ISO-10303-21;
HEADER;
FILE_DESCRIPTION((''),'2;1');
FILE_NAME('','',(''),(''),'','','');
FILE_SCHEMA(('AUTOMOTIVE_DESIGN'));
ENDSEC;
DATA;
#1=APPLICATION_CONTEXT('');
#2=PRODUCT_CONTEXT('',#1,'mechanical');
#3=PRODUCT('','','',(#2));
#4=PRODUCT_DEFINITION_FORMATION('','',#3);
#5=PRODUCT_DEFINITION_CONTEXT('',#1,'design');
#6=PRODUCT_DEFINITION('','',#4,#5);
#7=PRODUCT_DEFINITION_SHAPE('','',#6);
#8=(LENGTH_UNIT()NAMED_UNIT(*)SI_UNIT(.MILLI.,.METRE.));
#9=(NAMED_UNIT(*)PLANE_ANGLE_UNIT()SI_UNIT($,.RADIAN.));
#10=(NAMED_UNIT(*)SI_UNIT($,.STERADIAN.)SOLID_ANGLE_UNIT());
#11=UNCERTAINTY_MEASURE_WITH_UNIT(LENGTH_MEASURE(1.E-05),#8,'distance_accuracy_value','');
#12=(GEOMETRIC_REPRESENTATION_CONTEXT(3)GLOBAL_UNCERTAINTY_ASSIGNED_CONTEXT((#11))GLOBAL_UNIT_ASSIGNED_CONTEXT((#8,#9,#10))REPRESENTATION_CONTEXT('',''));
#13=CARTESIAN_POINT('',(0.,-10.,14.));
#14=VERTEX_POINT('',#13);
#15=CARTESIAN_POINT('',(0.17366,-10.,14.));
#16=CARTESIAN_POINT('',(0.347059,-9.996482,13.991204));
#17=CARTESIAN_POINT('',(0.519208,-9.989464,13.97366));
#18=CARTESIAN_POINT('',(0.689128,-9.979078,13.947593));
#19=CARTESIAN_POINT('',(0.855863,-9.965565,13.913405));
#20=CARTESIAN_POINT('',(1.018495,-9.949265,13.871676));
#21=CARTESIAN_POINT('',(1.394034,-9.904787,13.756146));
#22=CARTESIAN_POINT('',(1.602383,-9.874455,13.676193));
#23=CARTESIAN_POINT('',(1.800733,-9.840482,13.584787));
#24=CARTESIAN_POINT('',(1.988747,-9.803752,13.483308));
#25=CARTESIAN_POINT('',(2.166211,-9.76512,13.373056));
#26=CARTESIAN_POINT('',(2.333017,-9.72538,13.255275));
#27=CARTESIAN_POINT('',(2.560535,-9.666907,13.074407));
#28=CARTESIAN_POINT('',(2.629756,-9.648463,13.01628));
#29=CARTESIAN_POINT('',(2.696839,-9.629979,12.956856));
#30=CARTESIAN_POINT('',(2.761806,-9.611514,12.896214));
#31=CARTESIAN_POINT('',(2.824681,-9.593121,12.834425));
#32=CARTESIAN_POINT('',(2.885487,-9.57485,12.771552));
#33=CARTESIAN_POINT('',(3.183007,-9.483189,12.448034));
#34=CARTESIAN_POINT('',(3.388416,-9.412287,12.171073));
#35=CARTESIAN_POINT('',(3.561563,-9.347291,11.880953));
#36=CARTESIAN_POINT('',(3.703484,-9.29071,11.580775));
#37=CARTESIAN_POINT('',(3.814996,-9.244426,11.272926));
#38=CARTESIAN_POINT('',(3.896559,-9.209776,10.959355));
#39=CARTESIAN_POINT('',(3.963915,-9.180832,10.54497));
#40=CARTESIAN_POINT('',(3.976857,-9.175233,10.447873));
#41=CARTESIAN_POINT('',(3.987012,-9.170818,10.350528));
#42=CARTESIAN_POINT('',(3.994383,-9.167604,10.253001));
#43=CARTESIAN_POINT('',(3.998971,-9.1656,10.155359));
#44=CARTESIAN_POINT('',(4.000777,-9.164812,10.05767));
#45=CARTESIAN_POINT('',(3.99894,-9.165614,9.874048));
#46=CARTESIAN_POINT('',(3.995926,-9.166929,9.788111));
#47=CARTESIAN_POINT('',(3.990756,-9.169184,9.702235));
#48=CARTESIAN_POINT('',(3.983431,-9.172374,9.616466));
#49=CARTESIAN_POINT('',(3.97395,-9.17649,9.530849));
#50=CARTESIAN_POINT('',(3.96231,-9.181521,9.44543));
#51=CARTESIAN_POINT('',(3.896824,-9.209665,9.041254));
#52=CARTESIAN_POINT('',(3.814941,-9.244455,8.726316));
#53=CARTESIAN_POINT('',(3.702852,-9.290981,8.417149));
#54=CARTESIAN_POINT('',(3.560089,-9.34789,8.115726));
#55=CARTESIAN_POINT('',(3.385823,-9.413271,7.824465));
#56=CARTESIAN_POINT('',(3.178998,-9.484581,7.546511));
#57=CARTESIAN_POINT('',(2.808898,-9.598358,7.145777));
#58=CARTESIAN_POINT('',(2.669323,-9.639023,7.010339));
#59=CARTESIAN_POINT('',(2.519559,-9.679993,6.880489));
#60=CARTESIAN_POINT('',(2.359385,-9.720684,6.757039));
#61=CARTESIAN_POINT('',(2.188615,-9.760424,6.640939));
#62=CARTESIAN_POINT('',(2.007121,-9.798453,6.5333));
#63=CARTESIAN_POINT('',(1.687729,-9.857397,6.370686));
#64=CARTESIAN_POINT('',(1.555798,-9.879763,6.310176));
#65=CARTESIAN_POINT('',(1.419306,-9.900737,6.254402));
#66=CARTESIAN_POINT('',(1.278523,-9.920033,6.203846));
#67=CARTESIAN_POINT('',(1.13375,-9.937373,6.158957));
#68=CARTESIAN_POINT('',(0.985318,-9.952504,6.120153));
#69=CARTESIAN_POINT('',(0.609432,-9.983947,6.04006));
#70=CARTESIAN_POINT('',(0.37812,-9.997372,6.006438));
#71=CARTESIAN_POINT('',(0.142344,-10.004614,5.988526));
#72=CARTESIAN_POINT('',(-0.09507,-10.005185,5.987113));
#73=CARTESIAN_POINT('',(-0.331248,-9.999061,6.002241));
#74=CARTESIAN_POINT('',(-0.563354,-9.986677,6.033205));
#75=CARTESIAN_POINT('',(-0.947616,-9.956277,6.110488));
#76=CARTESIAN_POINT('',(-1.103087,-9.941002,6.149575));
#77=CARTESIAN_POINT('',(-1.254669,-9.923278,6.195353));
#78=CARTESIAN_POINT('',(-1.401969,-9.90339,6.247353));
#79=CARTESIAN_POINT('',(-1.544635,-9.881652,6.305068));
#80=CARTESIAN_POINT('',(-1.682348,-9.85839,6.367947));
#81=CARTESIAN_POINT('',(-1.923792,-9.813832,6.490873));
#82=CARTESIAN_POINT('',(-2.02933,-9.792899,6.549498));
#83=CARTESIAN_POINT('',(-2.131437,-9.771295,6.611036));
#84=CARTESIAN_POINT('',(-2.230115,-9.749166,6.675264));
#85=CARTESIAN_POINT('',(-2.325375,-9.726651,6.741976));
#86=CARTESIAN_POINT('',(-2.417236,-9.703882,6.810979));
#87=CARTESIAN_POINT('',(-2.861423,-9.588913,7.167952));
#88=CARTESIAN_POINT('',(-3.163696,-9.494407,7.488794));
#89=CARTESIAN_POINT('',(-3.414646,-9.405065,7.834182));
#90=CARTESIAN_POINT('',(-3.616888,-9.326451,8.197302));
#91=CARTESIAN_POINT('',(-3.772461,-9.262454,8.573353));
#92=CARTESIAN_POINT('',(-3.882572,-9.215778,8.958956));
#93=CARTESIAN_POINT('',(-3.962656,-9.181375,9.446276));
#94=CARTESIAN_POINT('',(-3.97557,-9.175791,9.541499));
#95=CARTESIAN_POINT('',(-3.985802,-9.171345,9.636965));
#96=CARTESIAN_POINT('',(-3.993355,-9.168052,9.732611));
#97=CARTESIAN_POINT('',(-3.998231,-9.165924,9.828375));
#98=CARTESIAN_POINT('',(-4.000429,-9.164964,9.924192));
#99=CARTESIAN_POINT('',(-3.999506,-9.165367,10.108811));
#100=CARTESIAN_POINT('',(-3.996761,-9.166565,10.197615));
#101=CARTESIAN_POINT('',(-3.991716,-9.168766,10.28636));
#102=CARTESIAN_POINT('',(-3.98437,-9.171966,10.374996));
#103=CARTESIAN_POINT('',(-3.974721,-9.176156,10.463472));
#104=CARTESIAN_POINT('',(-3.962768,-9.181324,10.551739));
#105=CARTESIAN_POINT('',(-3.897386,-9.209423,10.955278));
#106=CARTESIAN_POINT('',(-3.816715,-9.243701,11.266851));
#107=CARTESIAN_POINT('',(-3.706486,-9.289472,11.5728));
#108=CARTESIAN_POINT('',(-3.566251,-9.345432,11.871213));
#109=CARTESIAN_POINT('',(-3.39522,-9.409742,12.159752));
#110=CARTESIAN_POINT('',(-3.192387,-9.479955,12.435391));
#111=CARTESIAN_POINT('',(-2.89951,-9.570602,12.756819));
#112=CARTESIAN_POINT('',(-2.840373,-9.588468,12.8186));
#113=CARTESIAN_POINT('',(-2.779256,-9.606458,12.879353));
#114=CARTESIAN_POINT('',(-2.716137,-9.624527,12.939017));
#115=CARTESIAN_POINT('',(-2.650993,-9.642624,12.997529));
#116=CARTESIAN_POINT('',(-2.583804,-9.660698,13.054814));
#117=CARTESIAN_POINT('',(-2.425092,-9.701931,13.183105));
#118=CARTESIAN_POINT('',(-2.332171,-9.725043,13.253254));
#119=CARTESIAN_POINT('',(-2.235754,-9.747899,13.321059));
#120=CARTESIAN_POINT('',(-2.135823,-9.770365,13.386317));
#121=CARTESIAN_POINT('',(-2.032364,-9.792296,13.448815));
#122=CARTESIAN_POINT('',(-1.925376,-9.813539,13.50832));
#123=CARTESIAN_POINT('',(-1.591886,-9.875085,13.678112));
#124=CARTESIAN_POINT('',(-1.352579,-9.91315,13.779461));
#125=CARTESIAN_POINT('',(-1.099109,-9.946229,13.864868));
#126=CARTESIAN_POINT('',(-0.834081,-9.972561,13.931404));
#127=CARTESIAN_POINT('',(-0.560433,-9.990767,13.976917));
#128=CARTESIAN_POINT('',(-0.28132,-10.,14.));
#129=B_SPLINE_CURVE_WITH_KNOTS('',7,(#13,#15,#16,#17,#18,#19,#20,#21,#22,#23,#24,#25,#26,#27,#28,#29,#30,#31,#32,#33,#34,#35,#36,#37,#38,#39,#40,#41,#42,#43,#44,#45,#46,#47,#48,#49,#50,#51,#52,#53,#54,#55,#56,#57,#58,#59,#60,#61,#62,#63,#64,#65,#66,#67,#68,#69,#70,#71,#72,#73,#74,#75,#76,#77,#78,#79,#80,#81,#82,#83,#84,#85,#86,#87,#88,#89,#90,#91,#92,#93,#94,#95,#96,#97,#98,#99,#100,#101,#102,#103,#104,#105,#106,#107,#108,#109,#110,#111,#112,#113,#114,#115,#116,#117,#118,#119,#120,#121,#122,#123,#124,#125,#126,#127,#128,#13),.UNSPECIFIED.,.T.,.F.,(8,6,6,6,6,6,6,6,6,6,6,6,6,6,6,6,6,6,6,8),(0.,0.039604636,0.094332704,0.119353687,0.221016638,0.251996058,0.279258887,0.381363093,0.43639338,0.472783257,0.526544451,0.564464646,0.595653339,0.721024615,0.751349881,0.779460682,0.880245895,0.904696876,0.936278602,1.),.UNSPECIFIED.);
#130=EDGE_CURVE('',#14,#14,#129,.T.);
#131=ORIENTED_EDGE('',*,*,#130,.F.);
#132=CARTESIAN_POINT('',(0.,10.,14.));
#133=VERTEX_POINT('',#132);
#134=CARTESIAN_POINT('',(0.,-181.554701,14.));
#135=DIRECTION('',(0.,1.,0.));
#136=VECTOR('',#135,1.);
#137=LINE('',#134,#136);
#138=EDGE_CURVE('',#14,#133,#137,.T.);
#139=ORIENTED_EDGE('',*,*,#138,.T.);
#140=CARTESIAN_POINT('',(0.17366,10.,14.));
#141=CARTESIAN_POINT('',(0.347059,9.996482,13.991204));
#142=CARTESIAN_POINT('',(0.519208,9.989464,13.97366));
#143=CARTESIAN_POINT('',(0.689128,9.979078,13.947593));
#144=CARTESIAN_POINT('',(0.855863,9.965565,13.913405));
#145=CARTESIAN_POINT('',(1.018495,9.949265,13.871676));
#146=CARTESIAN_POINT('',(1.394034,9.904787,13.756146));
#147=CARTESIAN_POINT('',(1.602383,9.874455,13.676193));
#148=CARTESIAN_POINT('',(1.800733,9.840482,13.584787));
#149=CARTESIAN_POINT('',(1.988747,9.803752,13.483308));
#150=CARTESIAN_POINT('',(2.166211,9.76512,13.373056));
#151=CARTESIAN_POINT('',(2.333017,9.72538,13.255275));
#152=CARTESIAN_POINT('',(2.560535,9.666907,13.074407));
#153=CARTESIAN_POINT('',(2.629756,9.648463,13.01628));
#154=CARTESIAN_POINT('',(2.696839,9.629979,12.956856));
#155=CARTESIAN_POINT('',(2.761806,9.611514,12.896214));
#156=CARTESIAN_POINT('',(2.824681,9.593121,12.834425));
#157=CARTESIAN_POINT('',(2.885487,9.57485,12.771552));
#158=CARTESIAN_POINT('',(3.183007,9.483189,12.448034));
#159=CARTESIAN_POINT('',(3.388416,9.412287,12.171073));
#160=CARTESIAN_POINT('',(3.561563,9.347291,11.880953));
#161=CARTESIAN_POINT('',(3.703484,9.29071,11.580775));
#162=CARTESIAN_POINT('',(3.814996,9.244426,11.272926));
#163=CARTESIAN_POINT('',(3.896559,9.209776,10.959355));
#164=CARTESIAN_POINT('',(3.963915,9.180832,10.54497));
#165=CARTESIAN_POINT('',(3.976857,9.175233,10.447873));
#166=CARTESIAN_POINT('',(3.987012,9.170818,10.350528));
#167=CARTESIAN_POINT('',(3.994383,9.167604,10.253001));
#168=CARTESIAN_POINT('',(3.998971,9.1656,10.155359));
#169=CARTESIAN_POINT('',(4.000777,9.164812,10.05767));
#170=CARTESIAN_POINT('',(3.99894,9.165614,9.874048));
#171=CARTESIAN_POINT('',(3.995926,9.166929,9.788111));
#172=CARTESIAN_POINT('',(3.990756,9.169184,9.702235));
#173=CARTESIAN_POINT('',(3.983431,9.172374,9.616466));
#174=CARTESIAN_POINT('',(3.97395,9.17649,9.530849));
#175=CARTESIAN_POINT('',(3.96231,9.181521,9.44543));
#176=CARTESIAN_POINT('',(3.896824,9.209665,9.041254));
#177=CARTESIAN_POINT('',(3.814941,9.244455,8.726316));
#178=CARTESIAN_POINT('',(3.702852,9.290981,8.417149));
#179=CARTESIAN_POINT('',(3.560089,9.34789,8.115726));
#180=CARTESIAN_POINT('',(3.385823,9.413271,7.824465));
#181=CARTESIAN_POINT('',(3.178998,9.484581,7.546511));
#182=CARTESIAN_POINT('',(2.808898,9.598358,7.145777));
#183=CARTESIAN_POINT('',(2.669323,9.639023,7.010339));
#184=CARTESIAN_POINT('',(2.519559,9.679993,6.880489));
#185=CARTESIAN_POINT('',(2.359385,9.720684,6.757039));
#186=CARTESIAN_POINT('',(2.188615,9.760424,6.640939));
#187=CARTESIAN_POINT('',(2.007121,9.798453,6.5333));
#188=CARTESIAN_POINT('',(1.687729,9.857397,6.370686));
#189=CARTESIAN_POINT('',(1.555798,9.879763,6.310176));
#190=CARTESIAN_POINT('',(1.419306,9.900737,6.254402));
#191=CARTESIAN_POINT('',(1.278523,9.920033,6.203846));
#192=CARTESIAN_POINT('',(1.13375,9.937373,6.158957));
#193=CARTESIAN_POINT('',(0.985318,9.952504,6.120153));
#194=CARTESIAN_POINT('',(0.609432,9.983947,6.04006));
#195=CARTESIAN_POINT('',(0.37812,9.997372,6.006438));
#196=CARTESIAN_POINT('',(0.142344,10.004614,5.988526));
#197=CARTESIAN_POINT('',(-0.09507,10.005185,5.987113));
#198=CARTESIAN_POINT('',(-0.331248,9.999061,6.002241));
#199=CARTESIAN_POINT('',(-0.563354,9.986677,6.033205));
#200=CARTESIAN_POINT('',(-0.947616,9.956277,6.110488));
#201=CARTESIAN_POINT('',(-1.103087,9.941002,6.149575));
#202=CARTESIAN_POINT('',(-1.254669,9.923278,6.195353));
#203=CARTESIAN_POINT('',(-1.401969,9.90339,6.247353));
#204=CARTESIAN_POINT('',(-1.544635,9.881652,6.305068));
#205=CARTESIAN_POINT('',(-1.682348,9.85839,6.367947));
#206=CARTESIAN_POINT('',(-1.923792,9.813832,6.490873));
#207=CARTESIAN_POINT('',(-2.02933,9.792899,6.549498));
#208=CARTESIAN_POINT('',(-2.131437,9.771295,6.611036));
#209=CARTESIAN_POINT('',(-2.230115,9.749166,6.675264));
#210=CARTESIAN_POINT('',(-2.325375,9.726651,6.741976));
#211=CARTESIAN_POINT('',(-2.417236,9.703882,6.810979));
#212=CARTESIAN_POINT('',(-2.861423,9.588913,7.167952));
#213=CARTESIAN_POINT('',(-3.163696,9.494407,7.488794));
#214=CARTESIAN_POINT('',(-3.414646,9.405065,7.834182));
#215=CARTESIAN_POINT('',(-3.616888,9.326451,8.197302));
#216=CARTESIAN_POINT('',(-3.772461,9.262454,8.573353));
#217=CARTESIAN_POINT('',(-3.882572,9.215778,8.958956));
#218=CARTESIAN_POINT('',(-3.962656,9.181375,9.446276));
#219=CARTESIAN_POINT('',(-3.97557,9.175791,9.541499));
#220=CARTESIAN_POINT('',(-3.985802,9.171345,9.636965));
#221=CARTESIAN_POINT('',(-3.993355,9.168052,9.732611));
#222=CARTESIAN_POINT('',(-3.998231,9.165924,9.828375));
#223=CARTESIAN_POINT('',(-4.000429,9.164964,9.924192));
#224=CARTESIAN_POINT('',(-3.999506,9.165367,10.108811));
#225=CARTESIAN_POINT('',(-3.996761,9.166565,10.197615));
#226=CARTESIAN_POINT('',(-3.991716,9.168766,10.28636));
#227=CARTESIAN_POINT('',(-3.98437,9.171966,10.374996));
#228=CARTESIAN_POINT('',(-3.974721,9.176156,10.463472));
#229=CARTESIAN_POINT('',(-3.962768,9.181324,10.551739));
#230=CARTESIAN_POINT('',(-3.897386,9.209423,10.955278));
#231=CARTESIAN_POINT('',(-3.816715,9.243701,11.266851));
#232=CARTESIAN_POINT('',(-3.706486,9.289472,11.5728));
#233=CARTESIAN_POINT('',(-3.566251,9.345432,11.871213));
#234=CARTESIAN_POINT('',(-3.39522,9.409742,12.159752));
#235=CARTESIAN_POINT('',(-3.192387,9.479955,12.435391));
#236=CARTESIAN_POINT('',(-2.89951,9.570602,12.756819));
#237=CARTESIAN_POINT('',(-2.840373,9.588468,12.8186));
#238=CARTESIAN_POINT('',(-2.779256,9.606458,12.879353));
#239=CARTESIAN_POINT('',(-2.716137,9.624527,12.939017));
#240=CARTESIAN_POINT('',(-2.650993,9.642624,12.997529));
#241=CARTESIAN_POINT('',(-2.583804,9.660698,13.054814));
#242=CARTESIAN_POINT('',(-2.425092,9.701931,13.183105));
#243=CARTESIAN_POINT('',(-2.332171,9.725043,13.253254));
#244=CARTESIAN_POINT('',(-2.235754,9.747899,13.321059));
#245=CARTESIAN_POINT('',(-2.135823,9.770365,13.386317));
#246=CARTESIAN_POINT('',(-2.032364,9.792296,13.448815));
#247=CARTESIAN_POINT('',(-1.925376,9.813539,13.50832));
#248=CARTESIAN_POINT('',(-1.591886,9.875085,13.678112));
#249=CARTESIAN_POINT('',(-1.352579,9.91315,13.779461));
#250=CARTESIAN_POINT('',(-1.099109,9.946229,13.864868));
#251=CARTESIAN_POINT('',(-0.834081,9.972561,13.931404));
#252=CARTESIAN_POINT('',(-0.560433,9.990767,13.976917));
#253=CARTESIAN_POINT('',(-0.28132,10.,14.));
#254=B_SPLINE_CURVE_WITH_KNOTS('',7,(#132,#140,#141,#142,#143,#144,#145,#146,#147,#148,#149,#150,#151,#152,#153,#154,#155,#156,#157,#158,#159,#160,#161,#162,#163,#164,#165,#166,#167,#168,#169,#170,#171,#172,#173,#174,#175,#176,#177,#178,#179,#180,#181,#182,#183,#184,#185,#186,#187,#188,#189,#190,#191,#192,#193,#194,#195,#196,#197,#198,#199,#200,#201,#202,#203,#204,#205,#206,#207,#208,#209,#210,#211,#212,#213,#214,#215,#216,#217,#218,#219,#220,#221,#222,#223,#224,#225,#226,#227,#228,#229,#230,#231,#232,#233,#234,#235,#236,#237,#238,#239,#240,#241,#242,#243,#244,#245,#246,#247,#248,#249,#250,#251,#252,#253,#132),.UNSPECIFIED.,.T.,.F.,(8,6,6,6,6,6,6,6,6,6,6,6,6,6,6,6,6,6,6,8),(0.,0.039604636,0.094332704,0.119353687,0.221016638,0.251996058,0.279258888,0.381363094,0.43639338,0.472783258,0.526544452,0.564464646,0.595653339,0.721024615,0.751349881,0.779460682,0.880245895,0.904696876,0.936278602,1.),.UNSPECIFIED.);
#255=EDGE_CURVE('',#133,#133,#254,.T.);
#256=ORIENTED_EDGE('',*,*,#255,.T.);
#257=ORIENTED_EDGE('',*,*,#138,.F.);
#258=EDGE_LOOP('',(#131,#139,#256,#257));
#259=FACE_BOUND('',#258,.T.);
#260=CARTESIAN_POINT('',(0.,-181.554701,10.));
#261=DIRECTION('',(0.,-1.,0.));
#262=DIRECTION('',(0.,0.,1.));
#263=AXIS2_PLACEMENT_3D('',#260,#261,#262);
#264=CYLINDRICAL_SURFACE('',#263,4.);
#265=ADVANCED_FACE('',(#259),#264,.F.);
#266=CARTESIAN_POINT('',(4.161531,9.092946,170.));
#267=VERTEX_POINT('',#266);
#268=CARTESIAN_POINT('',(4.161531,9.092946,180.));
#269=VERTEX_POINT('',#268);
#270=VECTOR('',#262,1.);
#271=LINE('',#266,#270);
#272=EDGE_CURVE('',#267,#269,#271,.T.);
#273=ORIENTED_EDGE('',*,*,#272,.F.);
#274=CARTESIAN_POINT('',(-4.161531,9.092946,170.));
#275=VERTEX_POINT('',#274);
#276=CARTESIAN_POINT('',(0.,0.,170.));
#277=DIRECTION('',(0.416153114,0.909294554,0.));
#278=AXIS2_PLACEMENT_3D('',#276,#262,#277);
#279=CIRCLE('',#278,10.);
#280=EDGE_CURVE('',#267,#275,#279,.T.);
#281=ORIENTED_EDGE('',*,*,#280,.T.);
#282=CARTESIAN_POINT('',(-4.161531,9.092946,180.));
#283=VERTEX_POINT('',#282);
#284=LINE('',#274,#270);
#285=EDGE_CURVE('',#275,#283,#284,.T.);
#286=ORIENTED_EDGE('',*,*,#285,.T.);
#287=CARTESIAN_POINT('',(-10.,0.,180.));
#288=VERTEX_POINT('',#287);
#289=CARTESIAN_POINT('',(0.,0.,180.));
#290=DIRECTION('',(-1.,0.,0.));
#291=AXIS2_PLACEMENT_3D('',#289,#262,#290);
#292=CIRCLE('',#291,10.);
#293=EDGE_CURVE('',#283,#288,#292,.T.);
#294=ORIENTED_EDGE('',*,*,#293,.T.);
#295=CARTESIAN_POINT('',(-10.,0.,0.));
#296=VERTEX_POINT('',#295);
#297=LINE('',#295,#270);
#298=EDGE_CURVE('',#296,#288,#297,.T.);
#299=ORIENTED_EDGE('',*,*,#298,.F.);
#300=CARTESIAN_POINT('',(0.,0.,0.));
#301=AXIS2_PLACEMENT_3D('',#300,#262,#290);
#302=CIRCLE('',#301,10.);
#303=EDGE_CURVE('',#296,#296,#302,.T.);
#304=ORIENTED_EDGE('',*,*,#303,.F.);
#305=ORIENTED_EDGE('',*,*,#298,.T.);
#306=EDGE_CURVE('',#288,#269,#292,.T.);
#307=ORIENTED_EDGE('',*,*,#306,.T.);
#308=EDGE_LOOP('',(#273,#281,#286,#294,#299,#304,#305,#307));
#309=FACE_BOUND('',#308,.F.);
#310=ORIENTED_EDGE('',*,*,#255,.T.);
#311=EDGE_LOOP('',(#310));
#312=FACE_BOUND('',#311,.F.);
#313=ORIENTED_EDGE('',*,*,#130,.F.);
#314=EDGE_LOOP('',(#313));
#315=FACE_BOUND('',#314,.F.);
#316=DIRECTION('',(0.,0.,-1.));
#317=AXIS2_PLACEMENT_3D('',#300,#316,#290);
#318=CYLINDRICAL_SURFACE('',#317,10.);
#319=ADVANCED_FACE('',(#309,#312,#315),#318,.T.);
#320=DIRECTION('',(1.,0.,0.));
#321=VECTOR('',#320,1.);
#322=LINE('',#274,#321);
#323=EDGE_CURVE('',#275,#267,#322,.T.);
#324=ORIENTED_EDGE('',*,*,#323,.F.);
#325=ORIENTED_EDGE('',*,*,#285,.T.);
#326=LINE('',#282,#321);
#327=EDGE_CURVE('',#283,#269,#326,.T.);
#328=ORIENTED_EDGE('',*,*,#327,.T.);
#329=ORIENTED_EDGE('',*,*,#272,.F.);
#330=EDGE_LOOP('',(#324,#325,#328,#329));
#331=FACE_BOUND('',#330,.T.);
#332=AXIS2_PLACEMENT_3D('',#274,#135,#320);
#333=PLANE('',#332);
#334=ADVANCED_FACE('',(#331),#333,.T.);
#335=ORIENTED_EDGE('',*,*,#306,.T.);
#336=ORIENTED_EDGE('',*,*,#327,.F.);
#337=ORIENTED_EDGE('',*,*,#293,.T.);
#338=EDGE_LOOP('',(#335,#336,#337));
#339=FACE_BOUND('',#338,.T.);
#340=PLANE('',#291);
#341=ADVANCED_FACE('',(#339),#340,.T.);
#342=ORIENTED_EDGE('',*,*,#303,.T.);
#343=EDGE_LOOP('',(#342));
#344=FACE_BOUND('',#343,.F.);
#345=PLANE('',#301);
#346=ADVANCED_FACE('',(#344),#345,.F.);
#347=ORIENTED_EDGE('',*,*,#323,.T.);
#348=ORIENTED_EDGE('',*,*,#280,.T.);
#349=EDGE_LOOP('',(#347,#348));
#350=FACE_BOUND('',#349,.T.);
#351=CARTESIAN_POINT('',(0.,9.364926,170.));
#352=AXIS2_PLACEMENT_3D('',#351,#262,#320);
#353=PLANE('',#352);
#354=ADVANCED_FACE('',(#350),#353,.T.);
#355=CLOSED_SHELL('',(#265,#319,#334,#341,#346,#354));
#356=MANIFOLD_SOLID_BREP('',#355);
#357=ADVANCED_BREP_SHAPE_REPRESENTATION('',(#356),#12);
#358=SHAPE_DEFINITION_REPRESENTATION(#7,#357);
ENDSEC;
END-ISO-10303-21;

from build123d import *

# Parameters (mm, degrees)
SKETCH1_R               = 10
BOSS_EXTRUDE1_DEPTH     = 180
CUT_EXTRUDE1_DEPTH      = 181.554700853
CUT_EXTRUDE1_DEPTH_BACK = 181.554700853
SKETCH2_R               = 4
CUT_EXTRUDE2_START      = -10
CUT_EXTRUDE2_DEPTH      = 10


with BuildPart() as part:
    # Sketch1 → Boss-Extrude1 (new body)
    with BuildSketch(Plane.XY):
        with Locations(Location((0, 0, 0), (0, 0, 180))):
            Circle(SKETCH1_R)
    extrude(amount=BOSS_EXTRUDE1_DEPTH)

    # Sketch2 → Cut-Extrude1 (cut, two sides: drawn at the far end of the back side and taken through both)
    with BuildSketch(Plane(origin=(0, 0, 0), x_dir=(1, 0, 0), z_dir=(0, 1, 0)).offset(-CUT_EXTRUDE1_DEPTH_BACK)):
        with Locations(Location((0, -10, 0), (0, 0, 270))):
            Circle(SKETCH2_R)
    extrude(amount=CUT_EXTRUDE1_DEPTH + CUT_EXTRUDE1_DEPTH_BACK, mode=Mode.SUBTRACT)

    # Sketch3 → Cut-Extrude2 (cut)
    with BuildSketch(Plane.XY.offset(180).offset(CUT_EXTRUDE2_START)):
        with BuildLine():
            Line((-4.161531139, 9.092945539), (4.161531139, 9.092945539))
            ThreePointArc((4.161531139, 9.092945539), (0, 10), (-4.161531139, 9.092945539))
        make_face()
    extrude(amount=CUT_EXTRUDE2_DEPTH, mode=Mode.SUBTRACT)


solid = part.part
